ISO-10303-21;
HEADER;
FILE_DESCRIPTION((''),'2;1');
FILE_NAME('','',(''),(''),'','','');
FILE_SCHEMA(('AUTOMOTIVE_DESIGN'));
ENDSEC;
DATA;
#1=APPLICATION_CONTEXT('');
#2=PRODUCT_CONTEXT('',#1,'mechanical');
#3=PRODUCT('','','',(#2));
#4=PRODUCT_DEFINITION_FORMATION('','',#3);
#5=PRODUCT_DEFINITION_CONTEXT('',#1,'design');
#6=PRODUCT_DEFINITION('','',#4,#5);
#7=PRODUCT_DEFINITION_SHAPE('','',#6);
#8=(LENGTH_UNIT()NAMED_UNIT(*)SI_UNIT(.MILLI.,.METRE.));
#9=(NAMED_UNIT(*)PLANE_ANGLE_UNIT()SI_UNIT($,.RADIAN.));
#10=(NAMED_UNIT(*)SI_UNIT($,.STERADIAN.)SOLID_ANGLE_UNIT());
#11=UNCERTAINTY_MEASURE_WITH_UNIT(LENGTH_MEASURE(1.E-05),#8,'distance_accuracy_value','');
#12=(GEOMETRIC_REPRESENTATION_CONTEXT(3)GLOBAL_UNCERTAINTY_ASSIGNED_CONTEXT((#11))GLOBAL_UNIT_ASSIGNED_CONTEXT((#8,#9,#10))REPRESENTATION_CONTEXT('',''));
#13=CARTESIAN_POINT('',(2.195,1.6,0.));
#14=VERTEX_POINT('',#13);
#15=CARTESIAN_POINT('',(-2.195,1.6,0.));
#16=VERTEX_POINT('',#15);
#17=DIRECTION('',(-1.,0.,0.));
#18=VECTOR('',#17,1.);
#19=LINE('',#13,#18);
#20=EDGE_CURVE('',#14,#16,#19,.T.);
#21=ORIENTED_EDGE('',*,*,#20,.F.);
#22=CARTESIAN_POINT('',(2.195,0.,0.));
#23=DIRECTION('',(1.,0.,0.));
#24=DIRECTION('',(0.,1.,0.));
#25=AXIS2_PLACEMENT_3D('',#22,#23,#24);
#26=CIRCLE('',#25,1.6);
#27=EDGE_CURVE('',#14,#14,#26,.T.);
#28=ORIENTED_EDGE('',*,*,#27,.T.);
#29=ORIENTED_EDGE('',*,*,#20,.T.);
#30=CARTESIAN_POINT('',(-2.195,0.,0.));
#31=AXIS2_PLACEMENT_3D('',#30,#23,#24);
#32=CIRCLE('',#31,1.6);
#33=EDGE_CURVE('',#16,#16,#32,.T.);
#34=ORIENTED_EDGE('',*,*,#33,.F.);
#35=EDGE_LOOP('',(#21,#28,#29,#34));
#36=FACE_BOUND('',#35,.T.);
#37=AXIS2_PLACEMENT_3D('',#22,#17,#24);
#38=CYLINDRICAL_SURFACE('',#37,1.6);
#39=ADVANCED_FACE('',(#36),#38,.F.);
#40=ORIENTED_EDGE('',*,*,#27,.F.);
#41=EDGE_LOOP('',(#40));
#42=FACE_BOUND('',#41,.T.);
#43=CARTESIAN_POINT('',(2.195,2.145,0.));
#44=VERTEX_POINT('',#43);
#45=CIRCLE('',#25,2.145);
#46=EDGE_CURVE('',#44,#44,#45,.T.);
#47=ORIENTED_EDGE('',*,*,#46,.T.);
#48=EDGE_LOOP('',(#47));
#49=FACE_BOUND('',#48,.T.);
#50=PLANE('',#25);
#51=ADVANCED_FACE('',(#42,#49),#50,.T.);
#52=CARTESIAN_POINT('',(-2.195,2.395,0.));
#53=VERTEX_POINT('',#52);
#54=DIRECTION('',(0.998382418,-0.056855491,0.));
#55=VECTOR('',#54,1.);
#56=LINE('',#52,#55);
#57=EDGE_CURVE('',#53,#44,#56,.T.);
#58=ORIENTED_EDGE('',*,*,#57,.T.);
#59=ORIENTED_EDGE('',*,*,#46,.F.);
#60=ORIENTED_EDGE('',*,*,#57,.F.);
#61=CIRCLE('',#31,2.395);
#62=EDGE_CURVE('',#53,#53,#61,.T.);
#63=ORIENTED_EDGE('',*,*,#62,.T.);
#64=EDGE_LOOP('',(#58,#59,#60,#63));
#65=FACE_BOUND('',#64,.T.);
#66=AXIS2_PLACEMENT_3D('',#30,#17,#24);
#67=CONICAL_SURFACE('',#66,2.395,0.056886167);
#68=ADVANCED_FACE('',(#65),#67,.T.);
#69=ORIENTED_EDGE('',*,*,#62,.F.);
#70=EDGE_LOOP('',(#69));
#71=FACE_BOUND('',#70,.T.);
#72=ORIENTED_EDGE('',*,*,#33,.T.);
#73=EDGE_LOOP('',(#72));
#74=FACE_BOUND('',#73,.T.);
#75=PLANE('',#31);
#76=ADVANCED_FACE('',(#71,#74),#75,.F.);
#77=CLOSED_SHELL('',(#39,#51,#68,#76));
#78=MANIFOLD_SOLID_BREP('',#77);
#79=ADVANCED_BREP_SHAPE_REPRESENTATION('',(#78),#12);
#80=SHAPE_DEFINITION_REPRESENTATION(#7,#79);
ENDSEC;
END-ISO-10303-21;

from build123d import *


with BuildPart() as part:
    # Sketch → Revolution (revolve)
    with BuildSketch(Plane.XY):
        Polygon((2.195, 1.6), (-2.195, 1.6), (-2.195, 2.395), (2.195, 2.145), align=None)
    revolve(axis=Axis((0, 0, 0), (1, 0, 0)))


solid = part.part
